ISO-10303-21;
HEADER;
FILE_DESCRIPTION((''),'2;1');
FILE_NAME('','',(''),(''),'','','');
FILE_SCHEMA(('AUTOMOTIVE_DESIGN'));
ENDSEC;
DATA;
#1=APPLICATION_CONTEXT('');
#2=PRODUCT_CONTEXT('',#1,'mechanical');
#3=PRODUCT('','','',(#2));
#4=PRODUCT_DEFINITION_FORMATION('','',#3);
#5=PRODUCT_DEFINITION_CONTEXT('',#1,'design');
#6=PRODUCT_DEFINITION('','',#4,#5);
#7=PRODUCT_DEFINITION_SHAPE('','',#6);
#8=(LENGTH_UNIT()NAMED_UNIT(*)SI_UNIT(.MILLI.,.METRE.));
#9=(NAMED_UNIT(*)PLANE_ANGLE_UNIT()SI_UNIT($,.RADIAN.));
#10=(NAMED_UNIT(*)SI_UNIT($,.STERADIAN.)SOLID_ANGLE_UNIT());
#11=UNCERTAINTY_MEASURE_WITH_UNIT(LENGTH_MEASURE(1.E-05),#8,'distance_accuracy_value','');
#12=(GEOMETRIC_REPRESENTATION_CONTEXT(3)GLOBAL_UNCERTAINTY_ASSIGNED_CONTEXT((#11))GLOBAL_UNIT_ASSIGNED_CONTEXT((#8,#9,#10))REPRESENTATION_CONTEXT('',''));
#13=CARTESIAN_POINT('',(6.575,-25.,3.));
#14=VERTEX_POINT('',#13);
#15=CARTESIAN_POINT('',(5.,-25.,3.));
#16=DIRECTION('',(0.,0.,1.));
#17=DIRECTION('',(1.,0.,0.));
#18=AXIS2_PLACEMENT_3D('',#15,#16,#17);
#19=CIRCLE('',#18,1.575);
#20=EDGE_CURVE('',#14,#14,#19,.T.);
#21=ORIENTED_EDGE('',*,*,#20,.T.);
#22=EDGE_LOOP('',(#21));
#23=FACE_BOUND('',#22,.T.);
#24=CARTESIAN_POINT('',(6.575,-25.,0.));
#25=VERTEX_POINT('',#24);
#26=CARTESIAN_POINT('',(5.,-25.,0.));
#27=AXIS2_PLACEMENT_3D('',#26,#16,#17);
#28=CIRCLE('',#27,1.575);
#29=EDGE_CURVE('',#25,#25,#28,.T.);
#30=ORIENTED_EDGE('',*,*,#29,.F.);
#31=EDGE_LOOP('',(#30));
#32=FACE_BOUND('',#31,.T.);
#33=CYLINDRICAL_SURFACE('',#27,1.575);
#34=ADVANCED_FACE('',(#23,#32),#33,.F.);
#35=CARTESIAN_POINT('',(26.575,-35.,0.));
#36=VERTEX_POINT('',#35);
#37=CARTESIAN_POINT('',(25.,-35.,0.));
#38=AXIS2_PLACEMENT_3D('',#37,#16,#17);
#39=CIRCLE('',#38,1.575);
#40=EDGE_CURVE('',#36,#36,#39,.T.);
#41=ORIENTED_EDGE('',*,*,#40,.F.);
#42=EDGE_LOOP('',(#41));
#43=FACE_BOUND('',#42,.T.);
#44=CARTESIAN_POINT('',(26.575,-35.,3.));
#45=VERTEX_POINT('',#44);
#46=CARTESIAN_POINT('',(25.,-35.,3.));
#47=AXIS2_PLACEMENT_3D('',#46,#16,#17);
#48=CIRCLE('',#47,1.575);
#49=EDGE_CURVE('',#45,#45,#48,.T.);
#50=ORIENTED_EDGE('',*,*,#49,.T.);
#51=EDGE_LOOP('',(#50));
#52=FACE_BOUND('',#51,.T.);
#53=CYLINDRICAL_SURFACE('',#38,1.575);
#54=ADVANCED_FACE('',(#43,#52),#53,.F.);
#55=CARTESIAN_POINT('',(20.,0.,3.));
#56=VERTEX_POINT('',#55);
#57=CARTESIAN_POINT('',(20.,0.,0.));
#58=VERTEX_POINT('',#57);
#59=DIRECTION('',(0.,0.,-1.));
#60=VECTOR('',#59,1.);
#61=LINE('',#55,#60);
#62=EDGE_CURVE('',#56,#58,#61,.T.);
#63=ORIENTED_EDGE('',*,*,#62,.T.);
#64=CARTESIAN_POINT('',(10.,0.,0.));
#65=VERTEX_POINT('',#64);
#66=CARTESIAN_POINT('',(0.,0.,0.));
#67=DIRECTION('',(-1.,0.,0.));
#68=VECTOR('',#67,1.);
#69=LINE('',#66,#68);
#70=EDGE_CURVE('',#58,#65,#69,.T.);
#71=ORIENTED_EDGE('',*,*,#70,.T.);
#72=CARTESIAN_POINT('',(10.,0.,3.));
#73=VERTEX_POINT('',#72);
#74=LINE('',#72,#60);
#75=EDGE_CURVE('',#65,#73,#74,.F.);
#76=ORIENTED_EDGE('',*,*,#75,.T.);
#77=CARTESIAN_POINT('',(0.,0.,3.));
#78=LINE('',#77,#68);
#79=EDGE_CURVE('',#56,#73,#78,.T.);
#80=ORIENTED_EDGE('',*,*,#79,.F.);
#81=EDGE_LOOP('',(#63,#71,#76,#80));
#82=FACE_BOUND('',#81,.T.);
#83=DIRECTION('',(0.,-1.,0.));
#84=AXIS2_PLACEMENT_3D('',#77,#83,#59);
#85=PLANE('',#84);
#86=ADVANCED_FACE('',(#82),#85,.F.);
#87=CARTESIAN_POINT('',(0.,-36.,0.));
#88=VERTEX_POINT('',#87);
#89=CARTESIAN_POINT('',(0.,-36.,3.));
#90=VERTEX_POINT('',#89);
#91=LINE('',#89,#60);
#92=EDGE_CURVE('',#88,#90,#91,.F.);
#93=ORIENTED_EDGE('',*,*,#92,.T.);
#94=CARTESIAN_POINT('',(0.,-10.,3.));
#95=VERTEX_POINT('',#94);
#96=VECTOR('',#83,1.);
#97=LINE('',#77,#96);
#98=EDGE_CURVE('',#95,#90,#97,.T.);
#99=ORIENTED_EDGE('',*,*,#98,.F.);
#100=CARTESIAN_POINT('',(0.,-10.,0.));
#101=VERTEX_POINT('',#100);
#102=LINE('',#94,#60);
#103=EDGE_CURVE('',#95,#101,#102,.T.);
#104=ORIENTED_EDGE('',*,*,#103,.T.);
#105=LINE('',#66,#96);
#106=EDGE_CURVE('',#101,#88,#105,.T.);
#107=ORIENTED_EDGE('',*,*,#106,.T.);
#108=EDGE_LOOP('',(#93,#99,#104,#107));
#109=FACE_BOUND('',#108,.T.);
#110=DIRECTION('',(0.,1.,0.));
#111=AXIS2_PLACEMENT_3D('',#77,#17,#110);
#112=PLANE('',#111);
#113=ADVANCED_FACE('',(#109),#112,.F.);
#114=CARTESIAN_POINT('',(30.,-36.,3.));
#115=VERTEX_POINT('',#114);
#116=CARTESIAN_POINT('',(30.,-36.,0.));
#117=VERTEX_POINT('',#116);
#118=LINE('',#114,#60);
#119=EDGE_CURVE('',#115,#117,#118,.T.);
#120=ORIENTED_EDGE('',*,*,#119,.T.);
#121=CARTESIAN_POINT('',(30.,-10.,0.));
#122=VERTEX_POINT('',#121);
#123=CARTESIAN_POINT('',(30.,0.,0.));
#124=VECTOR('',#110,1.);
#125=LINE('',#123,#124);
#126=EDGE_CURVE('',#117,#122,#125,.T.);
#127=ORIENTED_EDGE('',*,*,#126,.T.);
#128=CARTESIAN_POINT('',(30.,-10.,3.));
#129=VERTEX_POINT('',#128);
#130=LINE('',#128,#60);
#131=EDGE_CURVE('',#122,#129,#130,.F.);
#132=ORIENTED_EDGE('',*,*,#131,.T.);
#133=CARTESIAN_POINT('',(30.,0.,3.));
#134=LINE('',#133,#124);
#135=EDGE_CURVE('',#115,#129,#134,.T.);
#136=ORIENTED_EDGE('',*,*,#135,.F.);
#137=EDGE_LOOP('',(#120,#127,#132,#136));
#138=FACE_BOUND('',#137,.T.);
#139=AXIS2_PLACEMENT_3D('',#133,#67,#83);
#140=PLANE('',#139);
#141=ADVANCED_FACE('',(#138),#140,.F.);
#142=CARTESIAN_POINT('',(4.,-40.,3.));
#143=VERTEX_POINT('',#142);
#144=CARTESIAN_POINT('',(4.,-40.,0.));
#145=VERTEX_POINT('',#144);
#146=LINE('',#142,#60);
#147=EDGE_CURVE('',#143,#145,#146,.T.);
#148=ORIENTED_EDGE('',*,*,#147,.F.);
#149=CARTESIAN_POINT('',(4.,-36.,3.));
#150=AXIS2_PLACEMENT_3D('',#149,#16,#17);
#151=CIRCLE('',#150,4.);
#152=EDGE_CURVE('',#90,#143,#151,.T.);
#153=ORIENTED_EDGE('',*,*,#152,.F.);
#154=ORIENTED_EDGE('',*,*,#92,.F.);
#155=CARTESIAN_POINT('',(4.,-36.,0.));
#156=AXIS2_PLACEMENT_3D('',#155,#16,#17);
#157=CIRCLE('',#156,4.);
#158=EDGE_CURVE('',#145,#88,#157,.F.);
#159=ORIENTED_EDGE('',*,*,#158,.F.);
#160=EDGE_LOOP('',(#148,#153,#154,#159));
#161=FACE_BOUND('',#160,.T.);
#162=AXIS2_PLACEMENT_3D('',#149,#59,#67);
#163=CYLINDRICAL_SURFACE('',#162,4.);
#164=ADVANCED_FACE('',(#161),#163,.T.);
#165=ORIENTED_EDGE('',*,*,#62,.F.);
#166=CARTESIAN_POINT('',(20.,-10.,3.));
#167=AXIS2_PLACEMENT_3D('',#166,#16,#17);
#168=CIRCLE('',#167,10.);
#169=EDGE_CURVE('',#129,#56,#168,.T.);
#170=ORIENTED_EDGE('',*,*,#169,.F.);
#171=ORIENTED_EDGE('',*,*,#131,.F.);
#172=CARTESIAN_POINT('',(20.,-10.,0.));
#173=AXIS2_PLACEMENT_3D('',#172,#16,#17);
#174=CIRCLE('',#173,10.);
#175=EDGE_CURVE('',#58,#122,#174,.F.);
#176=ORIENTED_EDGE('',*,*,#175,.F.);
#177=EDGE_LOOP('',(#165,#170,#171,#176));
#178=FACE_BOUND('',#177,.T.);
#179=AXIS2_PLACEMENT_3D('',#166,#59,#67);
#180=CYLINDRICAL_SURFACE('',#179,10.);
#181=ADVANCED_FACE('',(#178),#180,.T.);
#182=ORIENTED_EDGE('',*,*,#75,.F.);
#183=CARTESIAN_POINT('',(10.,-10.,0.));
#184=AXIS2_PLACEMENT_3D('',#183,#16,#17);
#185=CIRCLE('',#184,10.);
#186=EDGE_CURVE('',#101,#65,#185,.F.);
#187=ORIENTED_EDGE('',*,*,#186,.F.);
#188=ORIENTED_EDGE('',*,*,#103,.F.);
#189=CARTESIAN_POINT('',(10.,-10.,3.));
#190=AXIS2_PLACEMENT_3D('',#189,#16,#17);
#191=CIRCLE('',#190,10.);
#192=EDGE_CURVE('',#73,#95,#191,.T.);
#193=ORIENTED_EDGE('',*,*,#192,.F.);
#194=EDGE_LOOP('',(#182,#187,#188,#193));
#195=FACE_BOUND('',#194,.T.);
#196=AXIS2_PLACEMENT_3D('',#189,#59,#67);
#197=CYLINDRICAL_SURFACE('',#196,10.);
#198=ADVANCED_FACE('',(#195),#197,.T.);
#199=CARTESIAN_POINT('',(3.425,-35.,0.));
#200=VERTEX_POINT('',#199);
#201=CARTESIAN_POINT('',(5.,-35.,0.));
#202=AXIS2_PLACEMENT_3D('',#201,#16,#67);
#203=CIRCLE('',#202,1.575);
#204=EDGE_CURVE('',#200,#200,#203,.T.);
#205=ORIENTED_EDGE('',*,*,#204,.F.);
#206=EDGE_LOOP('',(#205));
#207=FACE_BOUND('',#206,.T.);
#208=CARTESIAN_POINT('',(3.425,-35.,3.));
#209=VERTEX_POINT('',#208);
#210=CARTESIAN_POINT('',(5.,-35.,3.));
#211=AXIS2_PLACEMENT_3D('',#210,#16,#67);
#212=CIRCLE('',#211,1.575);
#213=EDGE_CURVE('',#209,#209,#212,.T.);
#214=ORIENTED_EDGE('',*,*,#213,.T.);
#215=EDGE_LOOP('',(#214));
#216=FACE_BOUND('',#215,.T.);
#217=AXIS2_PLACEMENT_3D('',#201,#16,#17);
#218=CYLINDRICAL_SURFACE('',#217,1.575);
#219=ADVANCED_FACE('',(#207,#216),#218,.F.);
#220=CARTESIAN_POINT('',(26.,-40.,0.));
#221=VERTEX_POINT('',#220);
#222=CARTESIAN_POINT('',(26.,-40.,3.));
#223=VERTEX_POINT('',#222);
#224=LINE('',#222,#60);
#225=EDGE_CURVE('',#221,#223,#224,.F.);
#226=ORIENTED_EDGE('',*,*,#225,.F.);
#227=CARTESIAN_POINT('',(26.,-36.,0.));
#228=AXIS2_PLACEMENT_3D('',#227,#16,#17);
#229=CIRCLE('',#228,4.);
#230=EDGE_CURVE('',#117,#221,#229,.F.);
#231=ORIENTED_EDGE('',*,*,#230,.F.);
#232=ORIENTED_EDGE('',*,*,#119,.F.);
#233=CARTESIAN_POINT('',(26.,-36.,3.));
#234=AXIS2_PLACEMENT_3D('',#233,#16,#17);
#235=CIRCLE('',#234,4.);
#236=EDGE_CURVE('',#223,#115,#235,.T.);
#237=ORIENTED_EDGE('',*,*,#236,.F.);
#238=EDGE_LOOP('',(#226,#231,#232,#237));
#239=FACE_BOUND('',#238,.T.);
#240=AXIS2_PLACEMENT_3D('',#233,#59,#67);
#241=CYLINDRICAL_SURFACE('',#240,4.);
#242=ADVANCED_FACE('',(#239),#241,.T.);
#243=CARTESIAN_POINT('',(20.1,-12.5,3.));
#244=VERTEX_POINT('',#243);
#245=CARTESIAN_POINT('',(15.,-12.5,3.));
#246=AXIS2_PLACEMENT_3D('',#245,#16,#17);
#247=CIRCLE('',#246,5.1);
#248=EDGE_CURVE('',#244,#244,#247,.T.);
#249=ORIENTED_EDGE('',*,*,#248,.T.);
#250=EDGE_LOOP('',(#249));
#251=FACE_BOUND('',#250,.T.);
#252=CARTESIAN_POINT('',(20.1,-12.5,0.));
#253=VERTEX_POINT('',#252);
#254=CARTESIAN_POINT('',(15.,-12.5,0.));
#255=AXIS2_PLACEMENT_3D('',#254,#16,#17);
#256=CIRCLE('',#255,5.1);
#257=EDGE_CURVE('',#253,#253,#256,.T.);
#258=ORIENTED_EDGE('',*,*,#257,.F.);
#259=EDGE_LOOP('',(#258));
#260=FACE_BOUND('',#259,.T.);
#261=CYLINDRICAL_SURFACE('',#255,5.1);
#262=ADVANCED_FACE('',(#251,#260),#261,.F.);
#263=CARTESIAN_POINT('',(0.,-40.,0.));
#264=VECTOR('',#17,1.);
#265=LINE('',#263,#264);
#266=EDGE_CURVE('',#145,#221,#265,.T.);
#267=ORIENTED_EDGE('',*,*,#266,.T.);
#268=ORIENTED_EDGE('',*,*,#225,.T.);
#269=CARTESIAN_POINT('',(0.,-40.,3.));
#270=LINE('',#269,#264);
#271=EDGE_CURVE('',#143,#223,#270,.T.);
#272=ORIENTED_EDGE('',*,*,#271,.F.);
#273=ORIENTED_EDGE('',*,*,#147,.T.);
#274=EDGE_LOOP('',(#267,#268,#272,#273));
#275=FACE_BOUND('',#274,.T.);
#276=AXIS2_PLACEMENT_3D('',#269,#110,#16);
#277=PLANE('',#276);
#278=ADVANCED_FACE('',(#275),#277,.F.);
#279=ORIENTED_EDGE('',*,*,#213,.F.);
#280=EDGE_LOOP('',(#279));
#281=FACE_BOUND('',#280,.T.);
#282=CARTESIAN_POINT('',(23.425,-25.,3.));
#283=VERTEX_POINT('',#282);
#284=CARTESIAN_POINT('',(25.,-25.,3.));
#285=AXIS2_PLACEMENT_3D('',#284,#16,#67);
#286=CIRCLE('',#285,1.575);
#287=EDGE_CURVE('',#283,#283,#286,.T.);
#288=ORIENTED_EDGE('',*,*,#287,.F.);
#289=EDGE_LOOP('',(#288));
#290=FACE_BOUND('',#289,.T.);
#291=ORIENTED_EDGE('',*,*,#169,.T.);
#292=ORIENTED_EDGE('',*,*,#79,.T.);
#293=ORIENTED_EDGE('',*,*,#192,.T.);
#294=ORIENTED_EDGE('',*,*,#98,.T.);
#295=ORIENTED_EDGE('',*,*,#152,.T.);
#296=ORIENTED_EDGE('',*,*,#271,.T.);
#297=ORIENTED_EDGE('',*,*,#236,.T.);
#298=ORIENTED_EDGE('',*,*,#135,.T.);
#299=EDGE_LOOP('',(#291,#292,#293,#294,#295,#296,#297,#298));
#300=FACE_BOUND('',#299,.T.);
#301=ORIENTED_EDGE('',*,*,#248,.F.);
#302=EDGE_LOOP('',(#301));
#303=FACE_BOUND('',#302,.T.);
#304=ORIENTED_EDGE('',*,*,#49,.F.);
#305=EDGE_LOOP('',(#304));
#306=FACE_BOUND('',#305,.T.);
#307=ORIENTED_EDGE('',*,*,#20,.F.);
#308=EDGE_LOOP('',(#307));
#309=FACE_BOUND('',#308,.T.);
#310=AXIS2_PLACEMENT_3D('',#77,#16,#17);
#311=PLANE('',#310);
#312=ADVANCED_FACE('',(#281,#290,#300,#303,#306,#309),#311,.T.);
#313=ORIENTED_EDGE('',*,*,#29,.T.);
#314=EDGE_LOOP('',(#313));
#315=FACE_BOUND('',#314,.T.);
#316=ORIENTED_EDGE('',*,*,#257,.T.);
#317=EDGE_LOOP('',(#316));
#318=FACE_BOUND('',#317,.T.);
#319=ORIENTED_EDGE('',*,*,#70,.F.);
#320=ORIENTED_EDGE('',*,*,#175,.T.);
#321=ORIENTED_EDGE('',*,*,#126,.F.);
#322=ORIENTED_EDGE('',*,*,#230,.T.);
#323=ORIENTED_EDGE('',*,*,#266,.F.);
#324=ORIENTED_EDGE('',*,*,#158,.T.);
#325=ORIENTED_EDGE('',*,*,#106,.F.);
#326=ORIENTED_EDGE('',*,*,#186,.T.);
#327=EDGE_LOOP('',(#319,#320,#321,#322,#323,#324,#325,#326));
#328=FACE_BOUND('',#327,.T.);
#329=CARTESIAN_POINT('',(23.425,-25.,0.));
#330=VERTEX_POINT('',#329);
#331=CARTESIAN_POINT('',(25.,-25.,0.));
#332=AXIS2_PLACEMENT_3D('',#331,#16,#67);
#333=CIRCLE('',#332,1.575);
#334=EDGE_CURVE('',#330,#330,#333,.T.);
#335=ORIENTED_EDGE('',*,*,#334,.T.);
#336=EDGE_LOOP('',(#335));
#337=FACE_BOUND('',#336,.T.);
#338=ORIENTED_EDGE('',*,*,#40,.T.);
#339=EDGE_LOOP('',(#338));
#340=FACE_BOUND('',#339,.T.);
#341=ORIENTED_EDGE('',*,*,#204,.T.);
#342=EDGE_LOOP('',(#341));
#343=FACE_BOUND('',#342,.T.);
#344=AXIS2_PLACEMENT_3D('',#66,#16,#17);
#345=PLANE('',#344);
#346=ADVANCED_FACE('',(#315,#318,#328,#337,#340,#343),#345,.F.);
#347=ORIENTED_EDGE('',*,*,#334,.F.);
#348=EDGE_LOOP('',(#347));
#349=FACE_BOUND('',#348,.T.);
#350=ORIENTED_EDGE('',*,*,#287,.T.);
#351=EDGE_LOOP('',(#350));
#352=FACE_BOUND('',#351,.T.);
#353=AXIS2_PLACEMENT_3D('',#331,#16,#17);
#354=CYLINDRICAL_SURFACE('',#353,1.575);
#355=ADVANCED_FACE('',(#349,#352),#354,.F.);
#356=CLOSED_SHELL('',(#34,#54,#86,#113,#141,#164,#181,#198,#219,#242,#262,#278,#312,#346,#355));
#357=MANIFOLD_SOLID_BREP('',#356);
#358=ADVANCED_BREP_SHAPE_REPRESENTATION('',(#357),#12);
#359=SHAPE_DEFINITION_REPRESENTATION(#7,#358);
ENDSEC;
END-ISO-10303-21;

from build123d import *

# Parameters (mm, degrees)
SKETCH_1_W          = 30
SKETCH_1_H          = 40
EXTRUDE_1_DEPTH     = 3
SKETCH_2_R          = 5.1
SKETCH_2_R_2        = 1.575
CUT_EXTRUDE_1_DEPTH = 51.089919145
FILLET_1_R          = 10
FILLET_2_R          = 4


with BuildPart() as part:
    # 草图1 → 凸台-拉伸1 (new body)
    with BuildSketch(Plane.XY):
        with Locations((15, -20)):
            Rectangle(SKETCH_1_W, SKETCH_1_H)
    extrude(amount=EXTRUDE_1_DEPTH)

    # 草图2 → 切除-拉伸1 (cut, through all)
    with BuildSketch(Plane.XY.offset(3)):
        with Locations((15, -12.5)):
            Circle(SKETCH_2_R)
        with Locations((5, -25)):
            Circle(SKETCH_2_R_2)
        with Locations(Location((5, -35, 0), (0, 0, 180))):
            Circle(SKETCH_2_R_2)
        with Locations((25, -35)):
            Circle(SKETCH_2_R_2)
        with Locations(Location((25, -25, 0), (0, 0, 180))):
            Circle(SKETCH_2_R_2)
    extrude(amount=-CUT_EXTRUDE_1_DEPTH, mode=Mode.SUBTRACT)

    # 圆角1
    fillet_1_edges = [part.edges().sort_by_distance(p)[0] for p in [
        (0, 0, 1.5),
        (30, 0, 1.5),
    ]]
    fillet(fillet_1_edges, radius=FILLET_1_R)

    # 圆角2
    fillet_2_edges = [part.edges().sort_by_distance(p)[0] for p in [
        (30, -40, 1.5),
        (0, -40, 1.5),
    ]]
    fillet(fillet_2_edges, radius=FILLET_2_R)


solid = part.part
